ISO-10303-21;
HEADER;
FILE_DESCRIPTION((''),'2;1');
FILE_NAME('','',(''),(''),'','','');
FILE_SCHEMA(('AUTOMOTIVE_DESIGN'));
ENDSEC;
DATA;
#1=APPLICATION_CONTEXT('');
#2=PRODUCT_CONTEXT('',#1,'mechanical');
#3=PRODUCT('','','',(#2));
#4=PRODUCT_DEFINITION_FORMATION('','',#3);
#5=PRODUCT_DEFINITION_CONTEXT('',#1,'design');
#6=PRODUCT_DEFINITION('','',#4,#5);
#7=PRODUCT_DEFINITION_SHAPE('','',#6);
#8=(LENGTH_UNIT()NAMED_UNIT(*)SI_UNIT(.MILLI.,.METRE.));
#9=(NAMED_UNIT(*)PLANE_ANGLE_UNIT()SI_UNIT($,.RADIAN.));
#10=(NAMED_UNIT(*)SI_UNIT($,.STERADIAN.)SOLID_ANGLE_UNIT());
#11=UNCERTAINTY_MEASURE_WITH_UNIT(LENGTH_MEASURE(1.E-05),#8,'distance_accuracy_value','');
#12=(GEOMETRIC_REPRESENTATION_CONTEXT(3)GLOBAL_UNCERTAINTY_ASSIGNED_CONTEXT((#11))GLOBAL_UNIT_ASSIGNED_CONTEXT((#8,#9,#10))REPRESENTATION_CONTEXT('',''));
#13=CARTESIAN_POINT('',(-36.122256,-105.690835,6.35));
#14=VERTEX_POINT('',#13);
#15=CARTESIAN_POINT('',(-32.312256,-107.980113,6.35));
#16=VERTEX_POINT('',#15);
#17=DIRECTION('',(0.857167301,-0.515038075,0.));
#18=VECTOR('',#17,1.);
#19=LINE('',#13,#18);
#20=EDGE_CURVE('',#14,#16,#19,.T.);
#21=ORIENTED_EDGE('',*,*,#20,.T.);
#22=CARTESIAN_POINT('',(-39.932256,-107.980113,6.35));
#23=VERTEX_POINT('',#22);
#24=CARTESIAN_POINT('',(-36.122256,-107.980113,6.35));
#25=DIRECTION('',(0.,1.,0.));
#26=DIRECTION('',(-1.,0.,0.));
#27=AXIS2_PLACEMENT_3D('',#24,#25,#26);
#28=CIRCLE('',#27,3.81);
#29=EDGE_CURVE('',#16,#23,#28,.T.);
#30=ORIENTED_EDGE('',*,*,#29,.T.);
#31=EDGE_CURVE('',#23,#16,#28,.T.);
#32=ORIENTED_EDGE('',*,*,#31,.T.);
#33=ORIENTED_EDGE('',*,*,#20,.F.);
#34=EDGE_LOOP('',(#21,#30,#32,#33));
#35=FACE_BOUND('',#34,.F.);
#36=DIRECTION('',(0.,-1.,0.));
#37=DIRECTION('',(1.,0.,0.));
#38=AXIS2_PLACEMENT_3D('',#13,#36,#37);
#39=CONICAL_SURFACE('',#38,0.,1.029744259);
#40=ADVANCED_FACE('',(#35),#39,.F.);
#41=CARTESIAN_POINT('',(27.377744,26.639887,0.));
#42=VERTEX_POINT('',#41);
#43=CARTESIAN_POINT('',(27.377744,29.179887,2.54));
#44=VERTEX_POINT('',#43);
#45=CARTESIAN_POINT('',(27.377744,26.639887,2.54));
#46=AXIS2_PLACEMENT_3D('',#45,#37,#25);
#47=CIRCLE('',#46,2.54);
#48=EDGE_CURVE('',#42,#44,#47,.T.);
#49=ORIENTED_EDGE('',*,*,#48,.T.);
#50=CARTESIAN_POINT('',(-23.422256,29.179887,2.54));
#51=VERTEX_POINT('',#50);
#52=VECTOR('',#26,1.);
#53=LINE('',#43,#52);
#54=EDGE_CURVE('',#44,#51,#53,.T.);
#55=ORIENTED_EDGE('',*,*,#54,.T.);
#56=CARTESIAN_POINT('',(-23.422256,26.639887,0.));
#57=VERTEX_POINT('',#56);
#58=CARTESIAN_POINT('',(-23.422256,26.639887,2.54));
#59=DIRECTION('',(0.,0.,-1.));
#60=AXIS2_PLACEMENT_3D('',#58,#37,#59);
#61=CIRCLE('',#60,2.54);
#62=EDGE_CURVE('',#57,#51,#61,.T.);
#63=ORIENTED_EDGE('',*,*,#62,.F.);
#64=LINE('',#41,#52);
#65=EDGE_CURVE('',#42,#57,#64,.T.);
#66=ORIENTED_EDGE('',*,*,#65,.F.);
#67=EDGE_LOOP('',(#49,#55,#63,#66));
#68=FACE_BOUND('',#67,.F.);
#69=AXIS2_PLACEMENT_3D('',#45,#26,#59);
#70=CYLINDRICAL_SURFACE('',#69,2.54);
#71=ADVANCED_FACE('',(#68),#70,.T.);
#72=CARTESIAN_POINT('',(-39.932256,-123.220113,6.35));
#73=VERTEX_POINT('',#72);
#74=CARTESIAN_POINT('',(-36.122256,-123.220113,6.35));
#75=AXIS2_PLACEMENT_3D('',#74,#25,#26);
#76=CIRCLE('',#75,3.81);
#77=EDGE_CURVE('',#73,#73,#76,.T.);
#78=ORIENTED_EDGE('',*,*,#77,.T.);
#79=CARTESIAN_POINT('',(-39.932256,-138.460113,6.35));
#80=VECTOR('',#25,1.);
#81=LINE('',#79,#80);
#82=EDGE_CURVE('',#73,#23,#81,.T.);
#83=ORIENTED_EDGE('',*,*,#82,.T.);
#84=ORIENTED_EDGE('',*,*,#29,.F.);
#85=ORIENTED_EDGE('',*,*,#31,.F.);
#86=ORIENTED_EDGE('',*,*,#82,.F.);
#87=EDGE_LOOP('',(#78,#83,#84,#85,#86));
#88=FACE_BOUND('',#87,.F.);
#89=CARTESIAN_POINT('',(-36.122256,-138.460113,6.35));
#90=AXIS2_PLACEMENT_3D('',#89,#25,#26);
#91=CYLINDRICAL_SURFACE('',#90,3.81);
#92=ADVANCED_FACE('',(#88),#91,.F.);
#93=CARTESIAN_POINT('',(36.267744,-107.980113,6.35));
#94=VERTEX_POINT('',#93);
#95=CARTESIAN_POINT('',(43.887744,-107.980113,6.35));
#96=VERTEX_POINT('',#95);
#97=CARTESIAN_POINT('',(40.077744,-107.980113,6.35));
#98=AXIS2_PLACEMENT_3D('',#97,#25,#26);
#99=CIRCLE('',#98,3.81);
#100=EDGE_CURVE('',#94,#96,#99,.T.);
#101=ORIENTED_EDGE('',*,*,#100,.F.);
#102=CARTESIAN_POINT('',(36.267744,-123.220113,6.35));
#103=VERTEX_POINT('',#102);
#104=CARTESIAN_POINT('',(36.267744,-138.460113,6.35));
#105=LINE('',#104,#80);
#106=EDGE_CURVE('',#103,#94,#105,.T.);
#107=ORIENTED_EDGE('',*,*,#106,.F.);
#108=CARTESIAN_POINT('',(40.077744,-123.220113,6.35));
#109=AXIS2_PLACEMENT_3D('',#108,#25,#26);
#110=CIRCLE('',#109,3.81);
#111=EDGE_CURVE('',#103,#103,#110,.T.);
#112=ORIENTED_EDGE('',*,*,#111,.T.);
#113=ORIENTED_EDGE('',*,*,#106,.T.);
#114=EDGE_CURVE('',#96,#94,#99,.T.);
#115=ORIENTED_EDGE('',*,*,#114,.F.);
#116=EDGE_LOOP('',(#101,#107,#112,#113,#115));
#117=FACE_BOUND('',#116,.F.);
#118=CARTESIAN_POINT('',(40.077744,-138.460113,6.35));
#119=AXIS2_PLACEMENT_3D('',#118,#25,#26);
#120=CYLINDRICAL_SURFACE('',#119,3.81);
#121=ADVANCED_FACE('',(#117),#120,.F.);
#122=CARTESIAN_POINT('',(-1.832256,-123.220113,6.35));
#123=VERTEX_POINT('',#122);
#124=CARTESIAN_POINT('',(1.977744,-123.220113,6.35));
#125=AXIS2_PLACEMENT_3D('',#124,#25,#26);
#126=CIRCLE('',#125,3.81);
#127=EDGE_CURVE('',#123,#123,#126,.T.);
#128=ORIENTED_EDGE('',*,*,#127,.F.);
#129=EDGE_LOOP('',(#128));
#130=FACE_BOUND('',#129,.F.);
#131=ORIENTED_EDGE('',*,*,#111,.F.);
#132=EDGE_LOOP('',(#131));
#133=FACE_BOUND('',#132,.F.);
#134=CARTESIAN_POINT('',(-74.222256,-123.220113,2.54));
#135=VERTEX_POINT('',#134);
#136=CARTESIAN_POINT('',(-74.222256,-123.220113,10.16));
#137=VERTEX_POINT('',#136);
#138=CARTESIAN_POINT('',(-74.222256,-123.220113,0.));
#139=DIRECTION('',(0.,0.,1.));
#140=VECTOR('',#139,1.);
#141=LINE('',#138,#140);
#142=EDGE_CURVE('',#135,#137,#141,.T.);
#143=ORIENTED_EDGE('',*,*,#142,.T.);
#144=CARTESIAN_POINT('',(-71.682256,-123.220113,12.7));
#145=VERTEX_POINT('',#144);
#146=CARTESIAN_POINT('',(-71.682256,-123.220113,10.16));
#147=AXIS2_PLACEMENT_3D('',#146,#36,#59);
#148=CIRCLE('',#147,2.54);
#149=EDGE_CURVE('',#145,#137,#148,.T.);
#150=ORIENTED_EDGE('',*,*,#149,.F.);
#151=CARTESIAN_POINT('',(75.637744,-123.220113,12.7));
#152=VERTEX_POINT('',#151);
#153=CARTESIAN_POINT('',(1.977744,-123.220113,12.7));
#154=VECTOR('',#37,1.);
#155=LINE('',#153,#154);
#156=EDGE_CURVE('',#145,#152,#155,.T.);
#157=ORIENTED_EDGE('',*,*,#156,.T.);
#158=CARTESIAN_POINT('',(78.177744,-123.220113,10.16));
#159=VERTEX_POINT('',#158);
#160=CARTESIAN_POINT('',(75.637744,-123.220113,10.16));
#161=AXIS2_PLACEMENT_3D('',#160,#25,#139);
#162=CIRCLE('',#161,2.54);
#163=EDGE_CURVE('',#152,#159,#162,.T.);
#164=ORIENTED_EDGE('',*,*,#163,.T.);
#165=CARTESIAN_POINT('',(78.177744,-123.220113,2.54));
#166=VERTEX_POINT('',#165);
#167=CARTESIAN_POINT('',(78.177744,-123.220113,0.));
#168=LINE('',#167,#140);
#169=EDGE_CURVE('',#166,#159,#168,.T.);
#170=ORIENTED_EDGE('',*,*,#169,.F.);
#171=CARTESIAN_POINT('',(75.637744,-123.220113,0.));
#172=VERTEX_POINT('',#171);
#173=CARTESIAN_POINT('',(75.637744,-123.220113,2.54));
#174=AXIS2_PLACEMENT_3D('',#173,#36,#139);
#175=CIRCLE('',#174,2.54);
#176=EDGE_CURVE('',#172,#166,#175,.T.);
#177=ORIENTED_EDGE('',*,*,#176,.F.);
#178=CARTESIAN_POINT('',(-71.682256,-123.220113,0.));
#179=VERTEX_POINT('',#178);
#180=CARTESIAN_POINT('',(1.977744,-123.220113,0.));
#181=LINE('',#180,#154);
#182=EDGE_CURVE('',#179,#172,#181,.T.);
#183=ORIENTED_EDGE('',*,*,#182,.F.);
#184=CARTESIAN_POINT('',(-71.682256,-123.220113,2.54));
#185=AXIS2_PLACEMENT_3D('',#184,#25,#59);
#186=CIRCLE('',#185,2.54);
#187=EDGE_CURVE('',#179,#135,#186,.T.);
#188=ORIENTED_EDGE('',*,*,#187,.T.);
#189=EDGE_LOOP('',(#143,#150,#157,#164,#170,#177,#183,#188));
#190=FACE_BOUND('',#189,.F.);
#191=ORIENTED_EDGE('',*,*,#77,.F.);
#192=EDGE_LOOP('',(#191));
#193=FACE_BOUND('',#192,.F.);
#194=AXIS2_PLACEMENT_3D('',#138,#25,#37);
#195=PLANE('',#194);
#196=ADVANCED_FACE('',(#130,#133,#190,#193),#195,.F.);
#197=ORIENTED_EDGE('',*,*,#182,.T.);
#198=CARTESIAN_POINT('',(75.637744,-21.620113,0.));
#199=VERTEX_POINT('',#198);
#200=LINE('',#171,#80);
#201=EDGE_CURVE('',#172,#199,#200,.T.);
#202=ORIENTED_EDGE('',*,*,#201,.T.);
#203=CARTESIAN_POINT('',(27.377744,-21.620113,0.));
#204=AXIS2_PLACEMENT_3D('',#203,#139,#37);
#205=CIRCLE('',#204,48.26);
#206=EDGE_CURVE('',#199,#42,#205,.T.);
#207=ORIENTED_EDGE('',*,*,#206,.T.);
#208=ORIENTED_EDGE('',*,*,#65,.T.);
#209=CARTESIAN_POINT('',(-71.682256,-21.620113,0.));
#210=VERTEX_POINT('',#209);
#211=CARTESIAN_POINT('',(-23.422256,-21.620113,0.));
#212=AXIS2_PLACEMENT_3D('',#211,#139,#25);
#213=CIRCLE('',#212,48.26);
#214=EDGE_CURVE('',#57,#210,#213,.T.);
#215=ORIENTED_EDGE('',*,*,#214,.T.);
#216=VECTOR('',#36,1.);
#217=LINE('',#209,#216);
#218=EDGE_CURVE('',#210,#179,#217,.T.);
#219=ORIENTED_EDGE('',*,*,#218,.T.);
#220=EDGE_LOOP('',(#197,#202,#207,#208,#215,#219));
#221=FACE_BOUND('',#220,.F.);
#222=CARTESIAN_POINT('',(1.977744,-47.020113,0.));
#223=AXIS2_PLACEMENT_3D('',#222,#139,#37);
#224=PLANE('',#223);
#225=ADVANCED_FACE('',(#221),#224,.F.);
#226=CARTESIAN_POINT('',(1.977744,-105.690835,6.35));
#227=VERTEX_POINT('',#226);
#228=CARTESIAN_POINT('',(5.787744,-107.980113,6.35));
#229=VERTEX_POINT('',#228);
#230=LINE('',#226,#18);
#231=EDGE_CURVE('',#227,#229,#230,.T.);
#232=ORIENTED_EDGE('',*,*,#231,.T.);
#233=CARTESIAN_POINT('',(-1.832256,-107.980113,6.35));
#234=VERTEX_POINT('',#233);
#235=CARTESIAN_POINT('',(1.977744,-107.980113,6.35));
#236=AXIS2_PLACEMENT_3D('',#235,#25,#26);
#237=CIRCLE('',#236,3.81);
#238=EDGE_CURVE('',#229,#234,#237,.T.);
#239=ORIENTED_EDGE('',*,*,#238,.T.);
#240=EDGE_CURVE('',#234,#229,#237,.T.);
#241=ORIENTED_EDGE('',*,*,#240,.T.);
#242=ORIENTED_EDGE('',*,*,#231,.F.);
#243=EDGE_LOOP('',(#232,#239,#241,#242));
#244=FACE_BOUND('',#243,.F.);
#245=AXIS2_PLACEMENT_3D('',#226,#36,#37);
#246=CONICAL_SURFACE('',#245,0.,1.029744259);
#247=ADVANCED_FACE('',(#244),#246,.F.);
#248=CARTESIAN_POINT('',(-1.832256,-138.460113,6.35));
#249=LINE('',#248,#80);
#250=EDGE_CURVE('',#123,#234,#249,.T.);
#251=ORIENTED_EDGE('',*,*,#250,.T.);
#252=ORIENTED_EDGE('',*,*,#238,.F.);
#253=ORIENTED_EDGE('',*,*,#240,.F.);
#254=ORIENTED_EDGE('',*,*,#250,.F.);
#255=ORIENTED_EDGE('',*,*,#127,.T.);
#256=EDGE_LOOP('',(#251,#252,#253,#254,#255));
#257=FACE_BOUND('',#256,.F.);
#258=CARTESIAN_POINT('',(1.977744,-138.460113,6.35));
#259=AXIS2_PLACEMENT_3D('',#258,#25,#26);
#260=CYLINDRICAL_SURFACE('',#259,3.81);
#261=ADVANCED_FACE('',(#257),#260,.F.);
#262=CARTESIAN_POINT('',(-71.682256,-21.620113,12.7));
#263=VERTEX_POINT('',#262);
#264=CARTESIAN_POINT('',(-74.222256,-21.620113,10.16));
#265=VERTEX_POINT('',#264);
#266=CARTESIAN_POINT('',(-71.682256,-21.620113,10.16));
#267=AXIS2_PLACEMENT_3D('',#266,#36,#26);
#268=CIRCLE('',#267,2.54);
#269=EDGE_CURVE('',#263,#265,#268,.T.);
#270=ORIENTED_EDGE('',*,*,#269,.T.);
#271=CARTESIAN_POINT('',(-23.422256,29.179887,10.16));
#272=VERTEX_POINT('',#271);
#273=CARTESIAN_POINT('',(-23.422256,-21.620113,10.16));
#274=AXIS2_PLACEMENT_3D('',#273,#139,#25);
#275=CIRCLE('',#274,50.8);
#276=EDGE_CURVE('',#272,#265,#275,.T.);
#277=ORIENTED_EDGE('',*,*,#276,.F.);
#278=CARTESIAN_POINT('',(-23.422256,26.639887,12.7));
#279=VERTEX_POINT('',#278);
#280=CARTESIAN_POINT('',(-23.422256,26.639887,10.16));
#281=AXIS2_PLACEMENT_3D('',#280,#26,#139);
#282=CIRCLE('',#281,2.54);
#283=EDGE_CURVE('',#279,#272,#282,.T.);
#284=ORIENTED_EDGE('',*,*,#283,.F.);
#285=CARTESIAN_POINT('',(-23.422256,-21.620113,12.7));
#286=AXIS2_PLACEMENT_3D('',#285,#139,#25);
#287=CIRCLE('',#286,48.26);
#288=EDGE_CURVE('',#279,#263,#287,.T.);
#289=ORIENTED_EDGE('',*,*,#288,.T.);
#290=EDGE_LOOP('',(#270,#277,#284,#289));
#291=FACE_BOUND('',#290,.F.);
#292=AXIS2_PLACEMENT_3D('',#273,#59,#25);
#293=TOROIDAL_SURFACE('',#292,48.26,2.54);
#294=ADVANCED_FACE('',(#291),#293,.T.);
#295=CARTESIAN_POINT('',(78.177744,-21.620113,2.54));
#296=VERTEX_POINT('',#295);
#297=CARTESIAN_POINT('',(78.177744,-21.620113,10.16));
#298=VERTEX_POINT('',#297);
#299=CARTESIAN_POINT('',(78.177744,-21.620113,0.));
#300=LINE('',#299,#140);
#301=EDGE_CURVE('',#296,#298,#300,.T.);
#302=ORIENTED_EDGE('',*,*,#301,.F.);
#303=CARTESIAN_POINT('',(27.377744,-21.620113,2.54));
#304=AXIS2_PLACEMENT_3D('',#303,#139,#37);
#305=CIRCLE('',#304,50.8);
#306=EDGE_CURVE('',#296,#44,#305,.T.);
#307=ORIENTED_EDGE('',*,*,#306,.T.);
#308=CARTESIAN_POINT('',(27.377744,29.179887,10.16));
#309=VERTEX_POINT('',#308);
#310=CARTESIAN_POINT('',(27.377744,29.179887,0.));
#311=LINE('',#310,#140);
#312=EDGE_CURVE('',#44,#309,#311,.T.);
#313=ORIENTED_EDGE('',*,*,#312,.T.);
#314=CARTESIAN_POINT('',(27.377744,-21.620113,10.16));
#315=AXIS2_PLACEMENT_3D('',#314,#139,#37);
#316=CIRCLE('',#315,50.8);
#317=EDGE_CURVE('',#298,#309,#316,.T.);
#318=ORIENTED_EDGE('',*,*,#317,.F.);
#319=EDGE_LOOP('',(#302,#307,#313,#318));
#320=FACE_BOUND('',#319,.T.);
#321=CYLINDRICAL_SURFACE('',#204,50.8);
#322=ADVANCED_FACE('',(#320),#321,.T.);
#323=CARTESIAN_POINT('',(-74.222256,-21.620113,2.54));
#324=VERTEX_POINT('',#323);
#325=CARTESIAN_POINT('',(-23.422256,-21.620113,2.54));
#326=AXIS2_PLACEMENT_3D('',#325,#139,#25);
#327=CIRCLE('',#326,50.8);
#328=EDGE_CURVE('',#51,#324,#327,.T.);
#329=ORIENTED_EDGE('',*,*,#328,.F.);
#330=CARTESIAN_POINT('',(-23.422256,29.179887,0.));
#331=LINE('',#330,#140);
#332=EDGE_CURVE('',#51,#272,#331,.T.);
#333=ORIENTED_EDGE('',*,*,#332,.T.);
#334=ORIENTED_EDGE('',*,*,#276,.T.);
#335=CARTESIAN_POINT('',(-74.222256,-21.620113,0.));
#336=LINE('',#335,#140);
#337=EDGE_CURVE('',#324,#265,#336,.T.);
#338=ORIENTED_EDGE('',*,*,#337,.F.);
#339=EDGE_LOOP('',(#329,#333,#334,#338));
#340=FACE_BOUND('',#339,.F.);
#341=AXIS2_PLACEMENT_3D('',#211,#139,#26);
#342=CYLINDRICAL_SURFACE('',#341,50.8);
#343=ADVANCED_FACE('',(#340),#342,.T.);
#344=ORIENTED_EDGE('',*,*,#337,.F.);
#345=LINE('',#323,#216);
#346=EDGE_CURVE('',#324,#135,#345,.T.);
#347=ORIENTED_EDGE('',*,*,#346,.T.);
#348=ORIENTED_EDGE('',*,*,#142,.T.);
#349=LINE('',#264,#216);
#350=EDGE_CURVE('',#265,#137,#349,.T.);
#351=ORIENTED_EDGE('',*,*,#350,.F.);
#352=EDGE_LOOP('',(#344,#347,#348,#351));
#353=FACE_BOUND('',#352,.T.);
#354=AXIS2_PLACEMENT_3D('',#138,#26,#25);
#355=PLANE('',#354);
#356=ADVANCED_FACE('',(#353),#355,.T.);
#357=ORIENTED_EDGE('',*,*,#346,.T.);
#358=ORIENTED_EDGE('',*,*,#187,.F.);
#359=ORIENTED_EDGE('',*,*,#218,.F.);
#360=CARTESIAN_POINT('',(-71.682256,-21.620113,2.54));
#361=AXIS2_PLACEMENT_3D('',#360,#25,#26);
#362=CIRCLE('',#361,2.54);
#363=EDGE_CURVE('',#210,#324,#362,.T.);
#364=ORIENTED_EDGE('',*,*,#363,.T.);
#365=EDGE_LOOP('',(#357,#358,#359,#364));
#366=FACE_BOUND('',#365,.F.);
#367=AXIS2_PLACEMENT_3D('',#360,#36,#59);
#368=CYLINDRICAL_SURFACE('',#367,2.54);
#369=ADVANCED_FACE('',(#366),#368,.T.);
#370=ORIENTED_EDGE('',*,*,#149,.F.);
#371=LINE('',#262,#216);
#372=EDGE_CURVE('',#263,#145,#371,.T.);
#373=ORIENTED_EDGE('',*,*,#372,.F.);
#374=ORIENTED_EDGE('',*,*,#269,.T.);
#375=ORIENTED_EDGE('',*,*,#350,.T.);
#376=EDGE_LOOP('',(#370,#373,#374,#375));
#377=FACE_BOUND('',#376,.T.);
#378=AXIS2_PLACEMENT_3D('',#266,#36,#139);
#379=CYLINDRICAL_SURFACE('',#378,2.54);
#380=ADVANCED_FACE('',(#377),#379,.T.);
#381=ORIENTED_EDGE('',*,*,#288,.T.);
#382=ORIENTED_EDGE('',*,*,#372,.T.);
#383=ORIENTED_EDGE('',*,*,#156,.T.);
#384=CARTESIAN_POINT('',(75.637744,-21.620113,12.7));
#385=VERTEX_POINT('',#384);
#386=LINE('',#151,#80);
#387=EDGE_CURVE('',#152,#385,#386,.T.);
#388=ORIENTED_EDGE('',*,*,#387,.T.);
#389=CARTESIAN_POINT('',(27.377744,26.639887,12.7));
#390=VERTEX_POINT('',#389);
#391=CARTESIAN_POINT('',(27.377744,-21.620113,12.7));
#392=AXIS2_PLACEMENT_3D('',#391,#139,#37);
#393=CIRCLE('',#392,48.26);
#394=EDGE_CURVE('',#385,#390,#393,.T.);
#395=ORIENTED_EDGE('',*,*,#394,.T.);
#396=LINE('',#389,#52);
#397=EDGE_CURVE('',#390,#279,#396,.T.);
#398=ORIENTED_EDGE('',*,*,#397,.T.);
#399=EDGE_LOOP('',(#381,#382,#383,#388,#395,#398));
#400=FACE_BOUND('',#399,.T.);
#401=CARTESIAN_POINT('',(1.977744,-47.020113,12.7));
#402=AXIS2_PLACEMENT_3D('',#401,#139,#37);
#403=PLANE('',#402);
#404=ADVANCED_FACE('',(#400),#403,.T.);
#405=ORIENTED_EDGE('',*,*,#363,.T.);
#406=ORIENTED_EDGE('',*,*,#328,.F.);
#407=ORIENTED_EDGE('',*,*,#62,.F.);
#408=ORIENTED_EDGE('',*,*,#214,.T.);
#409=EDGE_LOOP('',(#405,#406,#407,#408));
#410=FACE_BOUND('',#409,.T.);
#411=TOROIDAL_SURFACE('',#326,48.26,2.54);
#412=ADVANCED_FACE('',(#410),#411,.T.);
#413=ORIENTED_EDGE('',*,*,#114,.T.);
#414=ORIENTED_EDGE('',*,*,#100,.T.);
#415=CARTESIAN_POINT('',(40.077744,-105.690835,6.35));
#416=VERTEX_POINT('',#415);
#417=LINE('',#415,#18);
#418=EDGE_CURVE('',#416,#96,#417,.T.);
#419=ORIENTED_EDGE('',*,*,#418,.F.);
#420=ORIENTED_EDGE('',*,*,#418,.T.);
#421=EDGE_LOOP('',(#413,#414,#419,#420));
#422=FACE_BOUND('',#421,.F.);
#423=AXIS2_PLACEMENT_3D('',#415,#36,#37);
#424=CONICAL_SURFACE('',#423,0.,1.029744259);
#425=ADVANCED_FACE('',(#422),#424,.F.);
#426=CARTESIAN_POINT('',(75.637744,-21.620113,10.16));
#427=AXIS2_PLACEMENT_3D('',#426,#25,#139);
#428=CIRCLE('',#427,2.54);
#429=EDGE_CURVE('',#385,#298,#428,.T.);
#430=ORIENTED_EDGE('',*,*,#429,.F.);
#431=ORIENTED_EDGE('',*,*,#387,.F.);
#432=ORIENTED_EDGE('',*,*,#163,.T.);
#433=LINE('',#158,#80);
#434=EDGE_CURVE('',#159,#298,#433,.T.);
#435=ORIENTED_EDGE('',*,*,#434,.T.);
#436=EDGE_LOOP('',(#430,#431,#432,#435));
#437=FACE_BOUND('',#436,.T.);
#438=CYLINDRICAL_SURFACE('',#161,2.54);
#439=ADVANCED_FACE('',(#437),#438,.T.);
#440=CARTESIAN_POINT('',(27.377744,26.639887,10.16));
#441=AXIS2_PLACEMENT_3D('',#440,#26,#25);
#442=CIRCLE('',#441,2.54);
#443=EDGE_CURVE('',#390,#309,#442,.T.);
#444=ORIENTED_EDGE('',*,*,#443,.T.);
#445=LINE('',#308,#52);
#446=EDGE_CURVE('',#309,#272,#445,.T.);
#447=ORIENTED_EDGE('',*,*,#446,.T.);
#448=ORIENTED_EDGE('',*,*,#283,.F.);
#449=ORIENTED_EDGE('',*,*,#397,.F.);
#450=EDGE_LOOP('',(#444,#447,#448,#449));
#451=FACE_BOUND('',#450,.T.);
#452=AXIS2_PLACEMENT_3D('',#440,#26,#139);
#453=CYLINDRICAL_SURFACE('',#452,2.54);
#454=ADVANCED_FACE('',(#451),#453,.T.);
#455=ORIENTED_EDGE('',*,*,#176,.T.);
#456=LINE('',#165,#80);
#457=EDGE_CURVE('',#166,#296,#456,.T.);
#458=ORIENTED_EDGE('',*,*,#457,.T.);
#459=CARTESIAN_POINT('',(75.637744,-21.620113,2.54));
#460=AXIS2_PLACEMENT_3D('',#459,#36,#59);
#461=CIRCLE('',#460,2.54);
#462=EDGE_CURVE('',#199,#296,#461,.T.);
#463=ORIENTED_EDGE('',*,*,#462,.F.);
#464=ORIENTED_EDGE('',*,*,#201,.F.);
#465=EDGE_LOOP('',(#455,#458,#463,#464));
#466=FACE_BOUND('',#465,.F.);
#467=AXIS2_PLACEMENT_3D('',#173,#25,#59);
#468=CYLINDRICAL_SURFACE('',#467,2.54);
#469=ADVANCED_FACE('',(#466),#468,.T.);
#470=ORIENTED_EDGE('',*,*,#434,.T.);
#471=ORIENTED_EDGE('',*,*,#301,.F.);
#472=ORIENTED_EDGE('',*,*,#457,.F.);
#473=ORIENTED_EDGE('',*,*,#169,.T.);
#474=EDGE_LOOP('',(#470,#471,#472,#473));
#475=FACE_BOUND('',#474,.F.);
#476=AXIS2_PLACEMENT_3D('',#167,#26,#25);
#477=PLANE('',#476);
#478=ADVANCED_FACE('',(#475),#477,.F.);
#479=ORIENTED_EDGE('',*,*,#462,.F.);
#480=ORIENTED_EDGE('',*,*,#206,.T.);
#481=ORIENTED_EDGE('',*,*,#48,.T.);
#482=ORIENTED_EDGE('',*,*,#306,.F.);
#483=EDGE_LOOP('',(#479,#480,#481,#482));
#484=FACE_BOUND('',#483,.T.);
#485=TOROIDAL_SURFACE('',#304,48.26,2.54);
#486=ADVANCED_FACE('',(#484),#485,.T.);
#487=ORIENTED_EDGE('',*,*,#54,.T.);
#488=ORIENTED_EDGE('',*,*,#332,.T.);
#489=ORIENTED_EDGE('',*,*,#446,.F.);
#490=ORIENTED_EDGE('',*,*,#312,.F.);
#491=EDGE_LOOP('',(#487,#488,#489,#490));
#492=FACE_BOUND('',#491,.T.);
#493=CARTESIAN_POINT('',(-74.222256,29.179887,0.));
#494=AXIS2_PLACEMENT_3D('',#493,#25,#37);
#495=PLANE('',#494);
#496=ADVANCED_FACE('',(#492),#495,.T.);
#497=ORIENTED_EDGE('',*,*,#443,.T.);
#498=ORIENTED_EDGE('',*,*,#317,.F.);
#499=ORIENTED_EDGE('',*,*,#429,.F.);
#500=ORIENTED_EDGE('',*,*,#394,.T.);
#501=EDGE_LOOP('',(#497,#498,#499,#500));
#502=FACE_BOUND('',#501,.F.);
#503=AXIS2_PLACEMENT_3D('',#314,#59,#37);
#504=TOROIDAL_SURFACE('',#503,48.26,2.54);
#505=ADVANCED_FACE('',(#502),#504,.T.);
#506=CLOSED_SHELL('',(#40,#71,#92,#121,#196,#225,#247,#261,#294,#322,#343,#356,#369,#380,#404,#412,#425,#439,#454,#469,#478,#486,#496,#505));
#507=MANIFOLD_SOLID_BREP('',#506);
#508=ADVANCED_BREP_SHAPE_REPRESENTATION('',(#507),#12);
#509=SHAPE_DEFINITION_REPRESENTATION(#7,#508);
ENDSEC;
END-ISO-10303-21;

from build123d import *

# Parameters (mm, degrees)
F0_W     = 152.4
F0_H     = 152.4
F1_DEPTH = 12.7
F2_R     = 50.8
F4_D     = 7.62
F4_DEPTH = 15.24
F4_TIP   = 2.2892789585
F5_R     = 2.54


with BuildPart() as f1:
    # F0 (on Top) → F1 (new body)
    with BuildSketch(Plane.XY):
        with Locations((1.9777435809, -47.0201134945)):
            Rectangle(F0_W, F0_H)
    extrude(amount=F1_DEPTH)

    # F2
    f2_edges = [f1.edges().sort_by_distance(p)[0] for p in [
        (-74.222256, 29.179887, 6.35),
        (78.177744, 29.179887, 6.35),
    ]]
    fillet(f2_edges, radius=F2_R)

    # F4
    with Locations(Plane.XZ.offset(123.2201134945)):
        with Locations((40.0777435809, 6.35), (1.9777435809, 6.35), (-36.1222564191, 6.35)):
            Hole(F4_D / 2, depth=F4_DEPTH)
            with Locations((0, 0, -(F4_DEPTH + F4_TIP / 2))):  # 118° drill point
                Cone(0, F4_D / 2, F4_TIP, mode=Mode.SUBTRACT)

    # F5
    f5_edges = [f1.edges().sort_by_distance(p)[0] for p in [
        (78.177744, -72.420113, 12.7),
        (78.177744, -72.420113, 0),
    ]]
    fillet(f5_edges, radius=F5_R)


solid = f1.part
